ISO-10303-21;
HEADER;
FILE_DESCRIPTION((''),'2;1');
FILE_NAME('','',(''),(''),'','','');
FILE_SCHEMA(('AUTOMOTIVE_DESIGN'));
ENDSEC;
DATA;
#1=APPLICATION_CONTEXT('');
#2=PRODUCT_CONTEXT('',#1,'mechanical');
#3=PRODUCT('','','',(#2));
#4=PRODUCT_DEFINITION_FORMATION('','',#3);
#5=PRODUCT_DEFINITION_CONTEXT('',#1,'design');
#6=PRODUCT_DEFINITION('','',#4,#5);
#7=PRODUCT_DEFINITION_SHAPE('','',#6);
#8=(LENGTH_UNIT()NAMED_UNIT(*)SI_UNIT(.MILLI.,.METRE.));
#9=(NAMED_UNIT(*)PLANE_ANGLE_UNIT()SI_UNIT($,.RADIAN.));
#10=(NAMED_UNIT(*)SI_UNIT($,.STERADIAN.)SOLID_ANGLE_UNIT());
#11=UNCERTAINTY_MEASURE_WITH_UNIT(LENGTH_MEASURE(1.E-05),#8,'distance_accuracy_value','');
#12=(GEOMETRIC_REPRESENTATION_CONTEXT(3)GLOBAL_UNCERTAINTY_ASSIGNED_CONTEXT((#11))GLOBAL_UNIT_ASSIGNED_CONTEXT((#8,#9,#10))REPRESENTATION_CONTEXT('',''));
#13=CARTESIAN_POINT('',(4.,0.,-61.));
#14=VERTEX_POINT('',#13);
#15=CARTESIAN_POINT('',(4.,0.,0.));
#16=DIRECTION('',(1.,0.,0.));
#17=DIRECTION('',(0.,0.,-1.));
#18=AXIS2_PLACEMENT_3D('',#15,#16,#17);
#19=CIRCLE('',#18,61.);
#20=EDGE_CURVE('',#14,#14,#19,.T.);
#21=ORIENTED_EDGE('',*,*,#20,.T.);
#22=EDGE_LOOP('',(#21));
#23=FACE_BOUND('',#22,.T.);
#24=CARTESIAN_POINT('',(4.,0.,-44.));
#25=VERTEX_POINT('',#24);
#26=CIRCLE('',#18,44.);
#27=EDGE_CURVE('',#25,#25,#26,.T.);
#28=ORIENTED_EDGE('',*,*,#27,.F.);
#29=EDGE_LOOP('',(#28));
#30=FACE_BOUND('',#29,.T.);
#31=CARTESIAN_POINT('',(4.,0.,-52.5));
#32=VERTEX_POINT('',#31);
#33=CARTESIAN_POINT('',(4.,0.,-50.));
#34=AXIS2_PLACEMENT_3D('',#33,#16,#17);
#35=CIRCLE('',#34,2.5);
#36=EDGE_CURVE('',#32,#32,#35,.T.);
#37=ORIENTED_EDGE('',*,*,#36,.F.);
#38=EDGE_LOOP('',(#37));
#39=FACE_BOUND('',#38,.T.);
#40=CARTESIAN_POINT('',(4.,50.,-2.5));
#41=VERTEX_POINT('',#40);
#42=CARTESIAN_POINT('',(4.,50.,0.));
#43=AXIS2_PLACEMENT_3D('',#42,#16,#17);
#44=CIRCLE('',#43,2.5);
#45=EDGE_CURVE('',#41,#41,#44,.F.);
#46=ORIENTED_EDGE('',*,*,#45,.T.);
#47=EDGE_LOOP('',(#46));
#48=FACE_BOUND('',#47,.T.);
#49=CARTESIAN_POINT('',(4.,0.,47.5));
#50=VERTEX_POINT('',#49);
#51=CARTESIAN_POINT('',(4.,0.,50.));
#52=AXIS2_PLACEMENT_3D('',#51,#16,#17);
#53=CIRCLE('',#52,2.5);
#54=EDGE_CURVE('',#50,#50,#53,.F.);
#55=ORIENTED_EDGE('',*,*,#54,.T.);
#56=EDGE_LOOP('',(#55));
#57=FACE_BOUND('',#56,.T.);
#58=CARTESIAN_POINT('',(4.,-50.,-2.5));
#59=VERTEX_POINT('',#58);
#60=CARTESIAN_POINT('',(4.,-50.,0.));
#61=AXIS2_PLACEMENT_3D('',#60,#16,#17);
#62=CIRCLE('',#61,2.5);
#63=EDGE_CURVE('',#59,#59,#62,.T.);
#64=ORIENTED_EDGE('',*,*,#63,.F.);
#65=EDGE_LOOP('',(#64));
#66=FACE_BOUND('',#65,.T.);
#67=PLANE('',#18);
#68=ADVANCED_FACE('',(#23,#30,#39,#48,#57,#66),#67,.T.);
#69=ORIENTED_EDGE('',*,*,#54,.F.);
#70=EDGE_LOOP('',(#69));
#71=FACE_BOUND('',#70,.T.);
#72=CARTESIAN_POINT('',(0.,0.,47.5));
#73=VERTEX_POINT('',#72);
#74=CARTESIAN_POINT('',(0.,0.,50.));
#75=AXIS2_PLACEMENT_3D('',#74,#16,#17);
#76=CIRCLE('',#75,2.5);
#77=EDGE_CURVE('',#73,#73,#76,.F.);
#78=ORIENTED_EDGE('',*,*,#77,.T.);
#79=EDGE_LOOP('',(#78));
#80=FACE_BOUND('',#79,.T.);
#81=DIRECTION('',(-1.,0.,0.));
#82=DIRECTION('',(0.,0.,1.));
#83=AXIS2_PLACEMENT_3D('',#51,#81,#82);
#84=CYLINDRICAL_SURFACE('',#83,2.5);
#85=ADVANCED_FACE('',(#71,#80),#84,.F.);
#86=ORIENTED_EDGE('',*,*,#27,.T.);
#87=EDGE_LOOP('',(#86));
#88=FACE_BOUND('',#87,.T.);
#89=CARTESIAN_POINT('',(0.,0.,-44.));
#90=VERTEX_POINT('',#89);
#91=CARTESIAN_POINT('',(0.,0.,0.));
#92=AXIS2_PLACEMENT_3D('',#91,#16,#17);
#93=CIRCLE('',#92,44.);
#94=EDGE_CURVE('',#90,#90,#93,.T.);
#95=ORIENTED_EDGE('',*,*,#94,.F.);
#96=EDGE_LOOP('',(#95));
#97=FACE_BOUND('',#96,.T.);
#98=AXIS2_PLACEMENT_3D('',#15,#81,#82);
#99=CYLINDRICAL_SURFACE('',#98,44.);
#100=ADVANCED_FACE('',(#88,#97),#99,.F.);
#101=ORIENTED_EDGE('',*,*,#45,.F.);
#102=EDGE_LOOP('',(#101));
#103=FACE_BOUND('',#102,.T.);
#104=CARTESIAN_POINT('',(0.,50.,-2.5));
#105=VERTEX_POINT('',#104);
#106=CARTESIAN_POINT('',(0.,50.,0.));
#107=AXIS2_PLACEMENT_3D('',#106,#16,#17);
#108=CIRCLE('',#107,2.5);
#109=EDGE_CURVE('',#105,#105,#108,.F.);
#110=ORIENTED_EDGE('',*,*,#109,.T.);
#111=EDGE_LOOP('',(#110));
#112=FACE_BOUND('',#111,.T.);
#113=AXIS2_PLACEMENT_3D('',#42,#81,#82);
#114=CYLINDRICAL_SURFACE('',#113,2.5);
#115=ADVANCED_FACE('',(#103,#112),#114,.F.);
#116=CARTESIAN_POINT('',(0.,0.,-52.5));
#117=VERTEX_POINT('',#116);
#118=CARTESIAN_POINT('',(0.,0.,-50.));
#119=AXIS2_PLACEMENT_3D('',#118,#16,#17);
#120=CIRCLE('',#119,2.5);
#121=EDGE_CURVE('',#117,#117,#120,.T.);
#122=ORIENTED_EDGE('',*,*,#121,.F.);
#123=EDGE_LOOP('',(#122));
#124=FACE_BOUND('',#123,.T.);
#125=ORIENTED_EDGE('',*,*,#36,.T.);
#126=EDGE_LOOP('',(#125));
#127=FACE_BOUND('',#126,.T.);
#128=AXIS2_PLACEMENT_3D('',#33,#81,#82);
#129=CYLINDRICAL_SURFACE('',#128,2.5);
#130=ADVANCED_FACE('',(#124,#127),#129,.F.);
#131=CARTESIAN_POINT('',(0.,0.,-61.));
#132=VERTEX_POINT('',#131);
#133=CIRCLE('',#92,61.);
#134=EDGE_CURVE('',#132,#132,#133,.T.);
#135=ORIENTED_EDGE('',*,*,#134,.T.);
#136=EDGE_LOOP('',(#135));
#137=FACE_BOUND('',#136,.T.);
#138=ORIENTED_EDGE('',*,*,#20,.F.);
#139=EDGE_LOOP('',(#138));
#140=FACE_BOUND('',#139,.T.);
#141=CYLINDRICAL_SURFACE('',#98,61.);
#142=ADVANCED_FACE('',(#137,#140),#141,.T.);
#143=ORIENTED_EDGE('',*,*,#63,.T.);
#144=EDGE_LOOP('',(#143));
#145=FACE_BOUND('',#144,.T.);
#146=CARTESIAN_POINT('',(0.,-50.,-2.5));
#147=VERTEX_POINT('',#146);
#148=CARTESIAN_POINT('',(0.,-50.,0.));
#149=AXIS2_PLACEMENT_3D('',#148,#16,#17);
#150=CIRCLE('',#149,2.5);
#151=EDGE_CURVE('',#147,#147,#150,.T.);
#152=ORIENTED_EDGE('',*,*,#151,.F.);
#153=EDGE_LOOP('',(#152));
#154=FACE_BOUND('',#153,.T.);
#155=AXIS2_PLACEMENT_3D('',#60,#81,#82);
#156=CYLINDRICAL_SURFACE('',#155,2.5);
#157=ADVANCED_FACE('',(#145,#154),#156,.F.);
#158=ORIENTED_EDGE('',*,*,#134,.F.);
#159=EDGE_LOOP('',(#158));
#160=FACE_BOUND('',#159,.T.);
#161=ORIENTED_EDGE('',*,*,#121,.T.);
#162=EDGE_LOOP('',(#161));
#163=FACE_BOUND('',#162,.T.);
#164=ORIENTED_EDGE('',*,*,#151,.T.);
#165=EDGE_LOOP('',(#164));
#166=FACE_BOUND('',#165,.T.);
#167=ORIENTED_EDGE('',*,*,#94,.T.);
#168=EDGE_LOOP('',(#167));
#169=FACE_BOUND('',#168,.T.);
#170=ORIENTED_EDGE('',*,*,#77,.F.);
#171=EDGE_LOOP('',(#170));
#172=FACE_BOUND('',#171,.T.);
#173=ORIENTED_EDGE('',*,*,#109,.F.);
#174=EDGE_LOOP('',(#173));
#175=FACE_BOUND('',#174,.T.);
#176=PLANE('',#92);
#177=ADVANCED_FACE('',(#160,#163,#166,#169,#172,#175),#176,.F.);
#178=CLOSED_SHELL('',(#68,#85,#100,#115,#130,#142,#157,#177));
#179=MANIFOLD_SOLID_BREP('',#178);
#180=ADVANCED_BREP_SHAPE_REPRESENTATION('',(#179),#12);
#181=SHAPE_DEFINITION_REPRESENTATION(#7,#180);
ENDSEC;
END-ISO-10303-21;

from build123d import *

# Parameters (mm, degrees)
SKETCH1_R           = 61
SKETCH1_R_2         = 44
SKETCH1_R_3         = 2.5
BOSS_EXTRUDE1_DEPTH = 4


with BuildPart() as part:
    # Sketch1 → Boss-Extrude1 (new body)
    with BuildSketch(Plane(origin=(0, 0, 0), x_dir=(0, 0, -1), z_dir=(1, 0, 0))):
        Circle(SKETCH1_R)
        Circle(SKETCH1_R_2, mode=Mode.SUBTRACT)
        with Locations((0, -50)):
            Circle(SKETCH1_R_3, mode=Mode.SUBTRACT)
        with Locations((0, 50)):
            Circle(SKETCH1_R_3, mode=Mode.SUBTRACT)
        with Locations((-50, 0)):
            Circle(SKETCH1_R_3, mode=Mode.SUBTRACT)
        with Locations((50, 0)):
            Circle(SKETCH1_R_3, mode=Mode.SUBTRACT)
    extrude(amount=BOSS_EXTRUDE1_DEPTH)


solid = part.part
